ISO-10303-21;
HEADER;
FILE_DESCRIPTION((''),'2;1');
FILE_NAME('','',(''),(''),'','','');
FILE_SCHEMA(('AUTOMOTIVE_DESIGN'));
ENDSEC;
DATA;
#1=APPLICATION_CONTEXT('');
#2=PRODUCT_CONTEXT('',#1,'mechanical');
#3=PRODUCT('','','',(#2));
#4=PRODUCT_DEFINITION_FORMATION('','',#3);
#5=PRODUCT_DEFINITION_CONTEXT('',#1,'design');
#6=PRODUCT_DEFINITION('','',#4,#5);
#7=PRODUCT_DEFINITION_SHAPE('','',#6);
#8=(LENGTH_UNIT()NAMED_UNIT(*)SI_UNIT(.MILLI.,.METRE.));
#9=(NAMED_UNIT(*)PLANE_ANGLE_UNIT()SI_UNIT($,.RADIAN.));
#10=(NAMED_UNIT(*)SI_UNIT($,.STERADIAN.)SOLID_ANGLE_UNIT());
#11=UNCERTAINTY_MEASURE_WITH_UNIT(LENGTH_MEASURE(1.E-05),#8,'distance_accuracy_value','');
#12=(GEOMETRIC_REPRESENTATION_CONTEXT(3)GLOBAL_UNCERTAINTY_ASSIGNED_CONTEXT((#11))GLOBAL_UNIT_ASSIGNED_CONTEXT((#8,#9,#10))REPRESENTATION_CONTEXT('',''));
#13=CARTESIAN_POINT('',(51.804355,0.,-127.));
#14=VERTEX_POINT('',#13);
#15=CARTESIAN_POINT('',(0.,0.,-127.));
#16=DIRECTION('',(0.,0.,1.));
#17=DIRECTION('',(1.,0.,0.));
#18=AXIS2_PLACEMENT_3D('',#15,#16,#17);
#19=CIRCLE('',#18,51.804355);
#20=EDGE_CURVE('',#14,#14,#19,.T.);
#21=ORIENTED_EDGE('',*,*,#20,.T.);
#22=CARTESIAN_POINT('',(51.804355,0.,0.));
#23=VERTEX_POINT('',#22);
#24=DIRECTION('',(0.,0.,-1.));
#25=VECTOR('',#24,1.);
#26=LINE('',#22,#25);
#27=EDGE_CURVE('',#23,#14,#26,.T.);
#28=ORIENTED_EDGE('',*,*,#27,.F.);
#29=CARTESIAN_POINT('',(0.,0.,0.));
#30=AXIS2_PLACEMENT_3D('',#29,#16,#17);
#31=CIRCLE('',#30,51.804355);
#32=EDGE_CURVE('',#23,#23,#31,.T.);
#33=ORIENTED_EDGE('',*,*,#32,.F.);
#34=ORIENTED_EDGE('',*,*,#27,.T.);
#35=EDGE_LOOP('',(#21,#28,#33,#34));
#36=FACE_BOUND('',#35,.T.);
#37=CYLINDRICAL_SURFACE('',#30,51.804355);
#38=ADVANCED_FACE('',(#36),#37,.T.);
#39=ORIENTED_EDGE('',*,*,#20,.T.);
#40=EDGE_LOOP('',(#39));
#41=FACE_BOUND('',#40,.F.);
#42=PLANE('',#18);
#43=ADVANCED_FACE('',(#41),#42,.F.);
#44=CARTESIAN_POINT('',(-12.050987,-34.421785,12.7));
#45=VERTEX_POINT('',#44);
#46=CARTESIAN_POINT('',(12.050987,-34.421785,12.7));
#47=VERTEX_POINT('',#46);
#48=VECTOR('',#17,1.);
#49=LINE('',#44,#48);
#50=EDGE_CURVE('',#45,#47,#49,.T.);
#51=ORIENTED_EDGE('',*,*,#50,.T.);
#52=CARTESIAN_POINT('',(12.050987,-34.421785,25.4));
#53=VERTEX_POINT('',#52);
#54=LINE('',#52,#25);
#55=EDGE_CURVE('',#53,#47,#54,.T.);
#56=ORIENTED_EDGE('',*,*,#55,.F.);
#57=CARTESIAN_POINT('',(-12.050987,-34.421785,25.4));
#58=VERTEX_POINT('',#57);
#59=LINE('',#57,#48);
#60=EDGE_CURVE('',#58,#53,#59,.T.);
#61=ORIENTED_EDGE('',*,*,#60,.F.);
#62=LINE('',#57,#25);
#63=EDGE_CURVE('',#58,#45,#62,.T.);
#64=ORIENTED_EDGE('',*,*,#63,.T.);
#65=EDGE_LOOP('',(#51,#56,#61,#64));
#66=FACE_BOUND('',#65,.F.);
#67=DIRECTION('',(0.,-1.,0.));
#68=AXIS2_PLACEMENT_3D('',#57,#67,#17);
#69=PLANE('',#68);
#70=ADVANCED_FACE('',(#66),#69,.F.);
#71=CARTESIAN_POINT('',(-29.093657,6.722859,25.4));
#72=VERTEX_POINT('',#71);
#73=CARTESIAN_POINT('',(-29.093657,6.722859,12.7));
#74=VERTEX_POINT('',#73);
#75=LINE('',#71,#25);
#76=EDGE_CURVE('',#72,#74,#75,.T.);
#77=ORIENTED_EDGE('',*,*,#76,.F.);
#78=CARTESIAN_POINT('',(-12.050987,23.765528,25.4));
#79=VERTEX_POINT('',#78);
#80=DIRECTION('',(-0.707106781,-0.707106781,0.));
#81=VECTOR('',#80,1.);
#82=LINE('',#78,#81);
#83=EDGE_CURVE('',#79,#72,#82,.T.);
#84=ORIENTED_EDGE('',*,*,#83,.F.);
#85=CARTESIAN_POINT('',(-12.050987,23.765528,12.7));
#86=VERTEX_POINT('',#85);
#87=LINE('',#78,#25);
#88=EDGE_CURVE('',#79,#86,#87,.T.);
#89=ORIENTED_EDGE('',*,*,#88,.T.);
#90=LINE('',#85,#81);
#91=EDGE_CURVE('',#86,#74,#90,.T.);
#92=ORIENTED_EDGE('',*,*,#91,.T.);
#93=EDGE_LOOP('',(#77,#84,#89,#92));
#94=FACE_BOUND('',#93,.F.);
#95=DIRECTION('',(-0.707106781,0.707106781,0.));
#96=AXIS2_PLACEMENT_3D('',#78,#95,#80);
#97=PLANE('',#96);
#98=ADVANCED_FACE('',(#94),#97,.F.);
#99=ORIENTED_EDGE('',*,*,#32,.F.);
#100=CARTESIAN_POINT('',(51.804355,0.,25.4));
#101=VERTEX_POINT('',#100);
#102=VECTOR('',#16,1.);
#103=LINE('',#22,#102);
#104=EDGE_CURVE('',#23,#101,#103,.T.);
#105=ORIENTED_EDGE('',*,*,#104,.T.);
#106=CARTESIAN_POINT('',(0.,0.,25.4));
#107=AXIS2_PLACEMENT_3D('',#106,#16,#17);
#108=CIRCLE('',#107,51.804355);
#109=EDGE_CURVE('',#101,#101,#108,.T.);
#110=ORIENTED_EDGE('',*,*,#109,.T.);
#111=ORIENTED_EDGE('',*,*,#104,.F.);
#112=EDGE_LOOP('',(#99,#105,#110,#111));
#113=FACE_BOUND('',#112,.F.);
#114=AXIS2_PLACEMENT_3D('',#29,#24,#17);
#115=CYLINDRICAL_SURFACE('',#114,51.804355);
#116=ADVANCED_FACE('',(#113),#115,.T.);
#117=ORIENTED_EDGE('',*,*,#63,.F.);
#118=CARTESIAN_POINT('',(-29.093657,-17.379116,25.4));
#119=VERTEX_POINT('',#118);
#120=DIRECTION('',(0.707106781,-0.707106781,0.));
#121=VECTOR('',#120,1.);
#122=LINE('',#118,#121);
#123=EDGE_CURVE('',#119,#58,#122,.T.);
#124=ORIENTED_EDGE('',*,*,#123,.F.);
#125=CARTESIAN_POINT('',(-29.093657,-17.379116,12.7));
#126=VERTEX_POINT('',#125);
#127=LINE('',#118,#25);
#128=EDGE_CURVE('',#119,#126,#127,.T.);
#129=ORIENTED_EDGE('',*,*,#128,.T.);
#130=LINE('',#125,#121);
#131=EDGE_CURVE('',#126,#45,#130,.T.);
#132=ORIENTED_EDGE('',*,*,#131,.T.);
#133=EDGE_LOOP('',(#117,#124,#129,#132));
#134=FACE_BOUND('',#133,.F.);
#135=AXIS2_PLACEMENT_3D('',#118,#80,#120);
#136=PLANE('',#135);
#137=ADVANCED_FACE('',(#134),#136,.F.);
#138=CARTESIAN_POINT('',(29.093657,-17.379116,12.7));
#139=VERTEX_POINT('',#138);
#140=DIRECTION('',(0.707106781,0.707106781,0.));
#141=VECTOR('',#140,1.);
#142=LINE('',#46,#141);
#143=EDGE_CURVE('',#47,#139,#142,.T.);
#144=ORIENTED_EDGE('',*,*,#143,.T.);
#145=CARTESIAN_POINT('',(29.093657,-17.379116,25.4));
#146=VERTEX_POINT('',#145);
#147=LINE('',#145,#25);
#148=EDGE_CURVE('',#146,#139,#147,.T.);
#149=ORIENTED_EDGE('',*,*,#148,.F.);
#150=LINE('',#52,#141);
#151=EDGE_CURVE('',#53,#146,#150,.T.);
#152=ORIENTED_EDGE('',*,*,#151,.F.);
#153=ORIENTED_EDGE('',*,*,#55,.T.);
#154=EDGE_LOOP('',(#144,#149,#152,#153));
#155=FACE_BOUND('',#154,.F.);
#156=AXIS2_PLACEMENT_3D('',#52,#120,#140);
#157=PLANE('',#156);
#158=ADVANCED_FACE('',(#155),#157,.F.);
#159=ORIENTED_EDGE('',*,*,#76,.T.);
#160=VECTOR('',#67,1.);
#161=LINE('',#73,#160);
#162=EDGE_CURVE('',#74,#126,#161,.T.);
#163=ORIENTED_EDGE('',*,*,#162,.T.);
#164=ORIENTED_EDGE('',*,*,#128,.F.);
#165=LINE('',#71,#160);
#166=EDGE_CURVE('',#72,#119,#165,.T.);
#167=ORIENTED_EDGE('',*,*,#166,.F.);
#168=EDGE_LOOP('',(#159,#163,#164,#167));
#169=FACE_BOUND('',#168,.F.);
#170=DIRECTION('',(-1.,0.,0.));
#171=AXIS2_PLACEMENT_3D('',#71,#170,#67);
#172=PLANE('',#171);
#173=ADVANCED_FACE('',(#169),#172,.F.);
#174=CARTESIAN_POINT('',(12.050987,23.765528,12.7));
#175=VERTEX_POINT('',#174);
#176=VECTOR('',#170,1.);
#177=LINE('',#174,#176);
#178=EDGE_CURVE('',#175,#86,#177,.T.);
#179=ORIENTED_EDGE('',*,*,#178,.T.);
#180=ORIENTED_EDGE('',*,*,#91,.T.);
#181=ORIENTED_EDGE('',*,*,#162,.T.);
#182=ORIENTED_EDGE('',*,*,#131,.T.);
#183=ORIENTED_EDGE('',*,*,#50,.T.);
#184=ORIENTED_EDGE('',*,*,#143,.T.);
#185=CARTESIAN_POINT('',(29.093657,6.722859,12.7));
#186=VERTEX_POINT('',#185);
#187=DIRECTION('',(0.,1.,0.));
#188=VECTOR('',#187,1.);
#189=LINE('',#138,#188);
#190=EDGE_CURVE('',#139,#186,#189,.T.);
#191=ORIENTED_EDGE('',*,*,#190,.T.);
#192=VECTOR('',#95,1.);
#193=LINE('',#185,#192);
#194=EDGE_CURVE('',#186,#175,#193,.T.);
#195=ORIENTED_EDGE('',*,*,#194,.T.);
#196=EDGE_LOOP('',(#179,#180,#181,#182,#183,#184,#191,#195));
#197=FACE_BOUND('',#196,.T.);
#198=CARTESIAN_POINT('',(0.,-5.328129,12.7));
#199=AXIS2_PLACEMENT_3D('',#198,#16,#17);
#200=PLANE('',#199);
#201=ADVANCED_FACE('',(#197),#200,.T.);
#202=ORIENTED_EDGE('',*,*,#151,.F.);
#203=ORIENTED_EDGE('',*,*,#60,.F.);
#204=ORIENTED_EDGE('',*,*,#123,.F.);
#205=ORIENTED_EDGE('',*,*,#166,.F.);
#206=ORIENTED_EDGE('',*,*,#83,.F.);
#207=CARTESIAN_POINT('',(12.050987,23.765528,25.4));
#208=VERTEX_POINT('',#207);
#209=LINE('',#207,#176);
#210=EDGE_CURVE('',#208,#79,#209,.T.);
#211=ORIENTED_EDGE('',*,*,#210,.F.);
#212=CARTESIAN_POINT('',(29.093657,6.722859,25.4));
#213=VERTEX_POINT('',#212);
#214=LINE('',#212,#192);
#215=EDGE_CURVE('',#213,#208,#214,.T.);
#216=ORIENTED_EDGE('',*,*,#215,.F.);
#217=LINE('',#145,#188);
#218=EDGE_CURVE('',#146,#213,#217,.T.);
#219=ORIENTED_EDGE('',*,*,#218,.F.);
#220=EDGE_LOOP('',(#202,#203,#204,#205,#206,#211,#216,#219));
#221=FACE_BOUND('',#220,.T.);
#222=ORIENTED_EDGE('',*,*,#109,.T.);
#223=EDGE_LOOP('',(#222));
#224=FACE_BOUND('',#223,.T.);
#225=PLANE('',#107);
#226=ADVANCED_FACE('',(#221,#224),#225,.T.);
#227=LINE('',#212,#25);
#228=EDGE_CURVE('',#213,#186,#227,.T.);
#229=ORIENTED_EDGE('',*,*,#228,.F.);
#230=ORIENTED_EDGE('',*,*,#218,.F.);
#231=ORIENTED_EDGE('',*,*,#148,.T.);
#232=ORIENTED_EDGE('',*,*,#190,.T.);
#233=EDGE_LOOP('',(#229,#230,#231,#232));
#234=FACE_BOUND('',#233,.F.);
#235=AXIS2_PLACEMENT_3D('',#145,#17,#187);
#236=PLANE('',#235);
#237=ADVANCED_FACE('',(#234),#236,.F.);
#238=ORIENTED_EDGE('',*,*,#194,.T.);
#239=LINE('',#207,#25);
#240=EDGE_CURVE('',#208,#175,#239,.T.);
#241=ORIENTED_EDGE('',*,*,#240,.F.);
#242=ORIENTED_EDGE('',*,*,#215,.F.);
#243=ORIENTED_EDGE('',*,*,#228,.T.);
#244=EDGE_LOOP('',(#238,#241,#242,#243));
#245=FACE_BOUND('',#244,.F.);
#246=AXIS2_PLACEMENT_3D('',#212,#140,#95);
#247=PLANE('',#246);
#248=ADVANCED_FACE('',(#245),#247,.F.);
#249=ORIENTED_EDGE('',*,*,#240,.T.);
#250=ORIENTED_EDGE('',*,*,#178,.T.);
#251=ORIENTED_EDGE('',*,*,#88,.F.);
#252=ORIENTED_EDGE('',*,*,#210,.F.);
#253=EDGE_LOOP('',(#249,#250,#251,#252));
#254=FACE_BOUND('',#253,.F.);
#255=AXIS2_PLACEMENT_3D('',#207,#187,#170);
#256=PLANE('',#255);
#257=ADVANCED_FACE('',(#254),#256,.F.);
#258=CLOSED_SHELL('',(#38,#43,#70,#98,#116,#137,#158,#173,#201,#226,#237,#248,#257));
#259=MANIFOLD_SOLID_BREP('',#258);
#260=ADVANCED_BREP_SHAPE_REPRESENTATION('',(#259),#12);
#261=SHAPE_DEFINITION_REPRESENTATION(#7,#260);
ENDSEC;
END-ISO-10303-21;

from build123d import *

# Parameters (mm, degrees)
F0_R     = 51.8043549738
F1_DEPTH = 76.2
F2_DEPTH = 25.4
F3_DEPTH = 25.4
F5_DEPTH = 12.7
F6_DEPTH = 127


with BuildPart() as f1:
    # F0 (on Top) → F1 (new body)
    with BuildSketch(Plane.XY):
        Circle(F0_R)
    extrude(amount=F1_DEPTH)

    # F2 (cut): a face of the model
    f2_faces = [f1.faces().sort_by_distance(p)[0] for p in [
        (0, 0, 76.2),
    ]]
    extrude(f2_faces, amount=-F2_DEPTH, mode=Mode.SUBTRACT)

    # F3 (cut): a face of the model
    f3_faces = [f1.faces().sort_by_distance(p)[0] for p in [
        (0, 0, 50.8),
    ]]
    extrude(f3_faces, amount=-F3_DEPTH, mode=Mode.SUBTRACT)

    # F4 (on face) → F5 (cut)
    with BuildSketch(Plane.XY.offset(25.4)):
        Polygon((29.0936566889, -17.3791157596), (29.0936566889, 6.7228585996), (12.0509871796, 23.7655281089), (-12.0509871796, 23.7655281089), (-29.0936566889, 6.7228585996), (-29.0936566889, -17.3791157596), (-12.0509871796, -34.4217852689), (12.0509871796, -34.4217852689), align=None)
    extrude(amount=-F5_DEPTH, mode=Mode.SUBTRACT)

    # F6 (add): a face of the model
    f6_faces = [f1.faces().sort_by_distance(p)[0] for p in [
        (0, 0, 0),
    ]]
    extrude(f6_faces, amount=F6_DEPTH)


solid = f1.part
